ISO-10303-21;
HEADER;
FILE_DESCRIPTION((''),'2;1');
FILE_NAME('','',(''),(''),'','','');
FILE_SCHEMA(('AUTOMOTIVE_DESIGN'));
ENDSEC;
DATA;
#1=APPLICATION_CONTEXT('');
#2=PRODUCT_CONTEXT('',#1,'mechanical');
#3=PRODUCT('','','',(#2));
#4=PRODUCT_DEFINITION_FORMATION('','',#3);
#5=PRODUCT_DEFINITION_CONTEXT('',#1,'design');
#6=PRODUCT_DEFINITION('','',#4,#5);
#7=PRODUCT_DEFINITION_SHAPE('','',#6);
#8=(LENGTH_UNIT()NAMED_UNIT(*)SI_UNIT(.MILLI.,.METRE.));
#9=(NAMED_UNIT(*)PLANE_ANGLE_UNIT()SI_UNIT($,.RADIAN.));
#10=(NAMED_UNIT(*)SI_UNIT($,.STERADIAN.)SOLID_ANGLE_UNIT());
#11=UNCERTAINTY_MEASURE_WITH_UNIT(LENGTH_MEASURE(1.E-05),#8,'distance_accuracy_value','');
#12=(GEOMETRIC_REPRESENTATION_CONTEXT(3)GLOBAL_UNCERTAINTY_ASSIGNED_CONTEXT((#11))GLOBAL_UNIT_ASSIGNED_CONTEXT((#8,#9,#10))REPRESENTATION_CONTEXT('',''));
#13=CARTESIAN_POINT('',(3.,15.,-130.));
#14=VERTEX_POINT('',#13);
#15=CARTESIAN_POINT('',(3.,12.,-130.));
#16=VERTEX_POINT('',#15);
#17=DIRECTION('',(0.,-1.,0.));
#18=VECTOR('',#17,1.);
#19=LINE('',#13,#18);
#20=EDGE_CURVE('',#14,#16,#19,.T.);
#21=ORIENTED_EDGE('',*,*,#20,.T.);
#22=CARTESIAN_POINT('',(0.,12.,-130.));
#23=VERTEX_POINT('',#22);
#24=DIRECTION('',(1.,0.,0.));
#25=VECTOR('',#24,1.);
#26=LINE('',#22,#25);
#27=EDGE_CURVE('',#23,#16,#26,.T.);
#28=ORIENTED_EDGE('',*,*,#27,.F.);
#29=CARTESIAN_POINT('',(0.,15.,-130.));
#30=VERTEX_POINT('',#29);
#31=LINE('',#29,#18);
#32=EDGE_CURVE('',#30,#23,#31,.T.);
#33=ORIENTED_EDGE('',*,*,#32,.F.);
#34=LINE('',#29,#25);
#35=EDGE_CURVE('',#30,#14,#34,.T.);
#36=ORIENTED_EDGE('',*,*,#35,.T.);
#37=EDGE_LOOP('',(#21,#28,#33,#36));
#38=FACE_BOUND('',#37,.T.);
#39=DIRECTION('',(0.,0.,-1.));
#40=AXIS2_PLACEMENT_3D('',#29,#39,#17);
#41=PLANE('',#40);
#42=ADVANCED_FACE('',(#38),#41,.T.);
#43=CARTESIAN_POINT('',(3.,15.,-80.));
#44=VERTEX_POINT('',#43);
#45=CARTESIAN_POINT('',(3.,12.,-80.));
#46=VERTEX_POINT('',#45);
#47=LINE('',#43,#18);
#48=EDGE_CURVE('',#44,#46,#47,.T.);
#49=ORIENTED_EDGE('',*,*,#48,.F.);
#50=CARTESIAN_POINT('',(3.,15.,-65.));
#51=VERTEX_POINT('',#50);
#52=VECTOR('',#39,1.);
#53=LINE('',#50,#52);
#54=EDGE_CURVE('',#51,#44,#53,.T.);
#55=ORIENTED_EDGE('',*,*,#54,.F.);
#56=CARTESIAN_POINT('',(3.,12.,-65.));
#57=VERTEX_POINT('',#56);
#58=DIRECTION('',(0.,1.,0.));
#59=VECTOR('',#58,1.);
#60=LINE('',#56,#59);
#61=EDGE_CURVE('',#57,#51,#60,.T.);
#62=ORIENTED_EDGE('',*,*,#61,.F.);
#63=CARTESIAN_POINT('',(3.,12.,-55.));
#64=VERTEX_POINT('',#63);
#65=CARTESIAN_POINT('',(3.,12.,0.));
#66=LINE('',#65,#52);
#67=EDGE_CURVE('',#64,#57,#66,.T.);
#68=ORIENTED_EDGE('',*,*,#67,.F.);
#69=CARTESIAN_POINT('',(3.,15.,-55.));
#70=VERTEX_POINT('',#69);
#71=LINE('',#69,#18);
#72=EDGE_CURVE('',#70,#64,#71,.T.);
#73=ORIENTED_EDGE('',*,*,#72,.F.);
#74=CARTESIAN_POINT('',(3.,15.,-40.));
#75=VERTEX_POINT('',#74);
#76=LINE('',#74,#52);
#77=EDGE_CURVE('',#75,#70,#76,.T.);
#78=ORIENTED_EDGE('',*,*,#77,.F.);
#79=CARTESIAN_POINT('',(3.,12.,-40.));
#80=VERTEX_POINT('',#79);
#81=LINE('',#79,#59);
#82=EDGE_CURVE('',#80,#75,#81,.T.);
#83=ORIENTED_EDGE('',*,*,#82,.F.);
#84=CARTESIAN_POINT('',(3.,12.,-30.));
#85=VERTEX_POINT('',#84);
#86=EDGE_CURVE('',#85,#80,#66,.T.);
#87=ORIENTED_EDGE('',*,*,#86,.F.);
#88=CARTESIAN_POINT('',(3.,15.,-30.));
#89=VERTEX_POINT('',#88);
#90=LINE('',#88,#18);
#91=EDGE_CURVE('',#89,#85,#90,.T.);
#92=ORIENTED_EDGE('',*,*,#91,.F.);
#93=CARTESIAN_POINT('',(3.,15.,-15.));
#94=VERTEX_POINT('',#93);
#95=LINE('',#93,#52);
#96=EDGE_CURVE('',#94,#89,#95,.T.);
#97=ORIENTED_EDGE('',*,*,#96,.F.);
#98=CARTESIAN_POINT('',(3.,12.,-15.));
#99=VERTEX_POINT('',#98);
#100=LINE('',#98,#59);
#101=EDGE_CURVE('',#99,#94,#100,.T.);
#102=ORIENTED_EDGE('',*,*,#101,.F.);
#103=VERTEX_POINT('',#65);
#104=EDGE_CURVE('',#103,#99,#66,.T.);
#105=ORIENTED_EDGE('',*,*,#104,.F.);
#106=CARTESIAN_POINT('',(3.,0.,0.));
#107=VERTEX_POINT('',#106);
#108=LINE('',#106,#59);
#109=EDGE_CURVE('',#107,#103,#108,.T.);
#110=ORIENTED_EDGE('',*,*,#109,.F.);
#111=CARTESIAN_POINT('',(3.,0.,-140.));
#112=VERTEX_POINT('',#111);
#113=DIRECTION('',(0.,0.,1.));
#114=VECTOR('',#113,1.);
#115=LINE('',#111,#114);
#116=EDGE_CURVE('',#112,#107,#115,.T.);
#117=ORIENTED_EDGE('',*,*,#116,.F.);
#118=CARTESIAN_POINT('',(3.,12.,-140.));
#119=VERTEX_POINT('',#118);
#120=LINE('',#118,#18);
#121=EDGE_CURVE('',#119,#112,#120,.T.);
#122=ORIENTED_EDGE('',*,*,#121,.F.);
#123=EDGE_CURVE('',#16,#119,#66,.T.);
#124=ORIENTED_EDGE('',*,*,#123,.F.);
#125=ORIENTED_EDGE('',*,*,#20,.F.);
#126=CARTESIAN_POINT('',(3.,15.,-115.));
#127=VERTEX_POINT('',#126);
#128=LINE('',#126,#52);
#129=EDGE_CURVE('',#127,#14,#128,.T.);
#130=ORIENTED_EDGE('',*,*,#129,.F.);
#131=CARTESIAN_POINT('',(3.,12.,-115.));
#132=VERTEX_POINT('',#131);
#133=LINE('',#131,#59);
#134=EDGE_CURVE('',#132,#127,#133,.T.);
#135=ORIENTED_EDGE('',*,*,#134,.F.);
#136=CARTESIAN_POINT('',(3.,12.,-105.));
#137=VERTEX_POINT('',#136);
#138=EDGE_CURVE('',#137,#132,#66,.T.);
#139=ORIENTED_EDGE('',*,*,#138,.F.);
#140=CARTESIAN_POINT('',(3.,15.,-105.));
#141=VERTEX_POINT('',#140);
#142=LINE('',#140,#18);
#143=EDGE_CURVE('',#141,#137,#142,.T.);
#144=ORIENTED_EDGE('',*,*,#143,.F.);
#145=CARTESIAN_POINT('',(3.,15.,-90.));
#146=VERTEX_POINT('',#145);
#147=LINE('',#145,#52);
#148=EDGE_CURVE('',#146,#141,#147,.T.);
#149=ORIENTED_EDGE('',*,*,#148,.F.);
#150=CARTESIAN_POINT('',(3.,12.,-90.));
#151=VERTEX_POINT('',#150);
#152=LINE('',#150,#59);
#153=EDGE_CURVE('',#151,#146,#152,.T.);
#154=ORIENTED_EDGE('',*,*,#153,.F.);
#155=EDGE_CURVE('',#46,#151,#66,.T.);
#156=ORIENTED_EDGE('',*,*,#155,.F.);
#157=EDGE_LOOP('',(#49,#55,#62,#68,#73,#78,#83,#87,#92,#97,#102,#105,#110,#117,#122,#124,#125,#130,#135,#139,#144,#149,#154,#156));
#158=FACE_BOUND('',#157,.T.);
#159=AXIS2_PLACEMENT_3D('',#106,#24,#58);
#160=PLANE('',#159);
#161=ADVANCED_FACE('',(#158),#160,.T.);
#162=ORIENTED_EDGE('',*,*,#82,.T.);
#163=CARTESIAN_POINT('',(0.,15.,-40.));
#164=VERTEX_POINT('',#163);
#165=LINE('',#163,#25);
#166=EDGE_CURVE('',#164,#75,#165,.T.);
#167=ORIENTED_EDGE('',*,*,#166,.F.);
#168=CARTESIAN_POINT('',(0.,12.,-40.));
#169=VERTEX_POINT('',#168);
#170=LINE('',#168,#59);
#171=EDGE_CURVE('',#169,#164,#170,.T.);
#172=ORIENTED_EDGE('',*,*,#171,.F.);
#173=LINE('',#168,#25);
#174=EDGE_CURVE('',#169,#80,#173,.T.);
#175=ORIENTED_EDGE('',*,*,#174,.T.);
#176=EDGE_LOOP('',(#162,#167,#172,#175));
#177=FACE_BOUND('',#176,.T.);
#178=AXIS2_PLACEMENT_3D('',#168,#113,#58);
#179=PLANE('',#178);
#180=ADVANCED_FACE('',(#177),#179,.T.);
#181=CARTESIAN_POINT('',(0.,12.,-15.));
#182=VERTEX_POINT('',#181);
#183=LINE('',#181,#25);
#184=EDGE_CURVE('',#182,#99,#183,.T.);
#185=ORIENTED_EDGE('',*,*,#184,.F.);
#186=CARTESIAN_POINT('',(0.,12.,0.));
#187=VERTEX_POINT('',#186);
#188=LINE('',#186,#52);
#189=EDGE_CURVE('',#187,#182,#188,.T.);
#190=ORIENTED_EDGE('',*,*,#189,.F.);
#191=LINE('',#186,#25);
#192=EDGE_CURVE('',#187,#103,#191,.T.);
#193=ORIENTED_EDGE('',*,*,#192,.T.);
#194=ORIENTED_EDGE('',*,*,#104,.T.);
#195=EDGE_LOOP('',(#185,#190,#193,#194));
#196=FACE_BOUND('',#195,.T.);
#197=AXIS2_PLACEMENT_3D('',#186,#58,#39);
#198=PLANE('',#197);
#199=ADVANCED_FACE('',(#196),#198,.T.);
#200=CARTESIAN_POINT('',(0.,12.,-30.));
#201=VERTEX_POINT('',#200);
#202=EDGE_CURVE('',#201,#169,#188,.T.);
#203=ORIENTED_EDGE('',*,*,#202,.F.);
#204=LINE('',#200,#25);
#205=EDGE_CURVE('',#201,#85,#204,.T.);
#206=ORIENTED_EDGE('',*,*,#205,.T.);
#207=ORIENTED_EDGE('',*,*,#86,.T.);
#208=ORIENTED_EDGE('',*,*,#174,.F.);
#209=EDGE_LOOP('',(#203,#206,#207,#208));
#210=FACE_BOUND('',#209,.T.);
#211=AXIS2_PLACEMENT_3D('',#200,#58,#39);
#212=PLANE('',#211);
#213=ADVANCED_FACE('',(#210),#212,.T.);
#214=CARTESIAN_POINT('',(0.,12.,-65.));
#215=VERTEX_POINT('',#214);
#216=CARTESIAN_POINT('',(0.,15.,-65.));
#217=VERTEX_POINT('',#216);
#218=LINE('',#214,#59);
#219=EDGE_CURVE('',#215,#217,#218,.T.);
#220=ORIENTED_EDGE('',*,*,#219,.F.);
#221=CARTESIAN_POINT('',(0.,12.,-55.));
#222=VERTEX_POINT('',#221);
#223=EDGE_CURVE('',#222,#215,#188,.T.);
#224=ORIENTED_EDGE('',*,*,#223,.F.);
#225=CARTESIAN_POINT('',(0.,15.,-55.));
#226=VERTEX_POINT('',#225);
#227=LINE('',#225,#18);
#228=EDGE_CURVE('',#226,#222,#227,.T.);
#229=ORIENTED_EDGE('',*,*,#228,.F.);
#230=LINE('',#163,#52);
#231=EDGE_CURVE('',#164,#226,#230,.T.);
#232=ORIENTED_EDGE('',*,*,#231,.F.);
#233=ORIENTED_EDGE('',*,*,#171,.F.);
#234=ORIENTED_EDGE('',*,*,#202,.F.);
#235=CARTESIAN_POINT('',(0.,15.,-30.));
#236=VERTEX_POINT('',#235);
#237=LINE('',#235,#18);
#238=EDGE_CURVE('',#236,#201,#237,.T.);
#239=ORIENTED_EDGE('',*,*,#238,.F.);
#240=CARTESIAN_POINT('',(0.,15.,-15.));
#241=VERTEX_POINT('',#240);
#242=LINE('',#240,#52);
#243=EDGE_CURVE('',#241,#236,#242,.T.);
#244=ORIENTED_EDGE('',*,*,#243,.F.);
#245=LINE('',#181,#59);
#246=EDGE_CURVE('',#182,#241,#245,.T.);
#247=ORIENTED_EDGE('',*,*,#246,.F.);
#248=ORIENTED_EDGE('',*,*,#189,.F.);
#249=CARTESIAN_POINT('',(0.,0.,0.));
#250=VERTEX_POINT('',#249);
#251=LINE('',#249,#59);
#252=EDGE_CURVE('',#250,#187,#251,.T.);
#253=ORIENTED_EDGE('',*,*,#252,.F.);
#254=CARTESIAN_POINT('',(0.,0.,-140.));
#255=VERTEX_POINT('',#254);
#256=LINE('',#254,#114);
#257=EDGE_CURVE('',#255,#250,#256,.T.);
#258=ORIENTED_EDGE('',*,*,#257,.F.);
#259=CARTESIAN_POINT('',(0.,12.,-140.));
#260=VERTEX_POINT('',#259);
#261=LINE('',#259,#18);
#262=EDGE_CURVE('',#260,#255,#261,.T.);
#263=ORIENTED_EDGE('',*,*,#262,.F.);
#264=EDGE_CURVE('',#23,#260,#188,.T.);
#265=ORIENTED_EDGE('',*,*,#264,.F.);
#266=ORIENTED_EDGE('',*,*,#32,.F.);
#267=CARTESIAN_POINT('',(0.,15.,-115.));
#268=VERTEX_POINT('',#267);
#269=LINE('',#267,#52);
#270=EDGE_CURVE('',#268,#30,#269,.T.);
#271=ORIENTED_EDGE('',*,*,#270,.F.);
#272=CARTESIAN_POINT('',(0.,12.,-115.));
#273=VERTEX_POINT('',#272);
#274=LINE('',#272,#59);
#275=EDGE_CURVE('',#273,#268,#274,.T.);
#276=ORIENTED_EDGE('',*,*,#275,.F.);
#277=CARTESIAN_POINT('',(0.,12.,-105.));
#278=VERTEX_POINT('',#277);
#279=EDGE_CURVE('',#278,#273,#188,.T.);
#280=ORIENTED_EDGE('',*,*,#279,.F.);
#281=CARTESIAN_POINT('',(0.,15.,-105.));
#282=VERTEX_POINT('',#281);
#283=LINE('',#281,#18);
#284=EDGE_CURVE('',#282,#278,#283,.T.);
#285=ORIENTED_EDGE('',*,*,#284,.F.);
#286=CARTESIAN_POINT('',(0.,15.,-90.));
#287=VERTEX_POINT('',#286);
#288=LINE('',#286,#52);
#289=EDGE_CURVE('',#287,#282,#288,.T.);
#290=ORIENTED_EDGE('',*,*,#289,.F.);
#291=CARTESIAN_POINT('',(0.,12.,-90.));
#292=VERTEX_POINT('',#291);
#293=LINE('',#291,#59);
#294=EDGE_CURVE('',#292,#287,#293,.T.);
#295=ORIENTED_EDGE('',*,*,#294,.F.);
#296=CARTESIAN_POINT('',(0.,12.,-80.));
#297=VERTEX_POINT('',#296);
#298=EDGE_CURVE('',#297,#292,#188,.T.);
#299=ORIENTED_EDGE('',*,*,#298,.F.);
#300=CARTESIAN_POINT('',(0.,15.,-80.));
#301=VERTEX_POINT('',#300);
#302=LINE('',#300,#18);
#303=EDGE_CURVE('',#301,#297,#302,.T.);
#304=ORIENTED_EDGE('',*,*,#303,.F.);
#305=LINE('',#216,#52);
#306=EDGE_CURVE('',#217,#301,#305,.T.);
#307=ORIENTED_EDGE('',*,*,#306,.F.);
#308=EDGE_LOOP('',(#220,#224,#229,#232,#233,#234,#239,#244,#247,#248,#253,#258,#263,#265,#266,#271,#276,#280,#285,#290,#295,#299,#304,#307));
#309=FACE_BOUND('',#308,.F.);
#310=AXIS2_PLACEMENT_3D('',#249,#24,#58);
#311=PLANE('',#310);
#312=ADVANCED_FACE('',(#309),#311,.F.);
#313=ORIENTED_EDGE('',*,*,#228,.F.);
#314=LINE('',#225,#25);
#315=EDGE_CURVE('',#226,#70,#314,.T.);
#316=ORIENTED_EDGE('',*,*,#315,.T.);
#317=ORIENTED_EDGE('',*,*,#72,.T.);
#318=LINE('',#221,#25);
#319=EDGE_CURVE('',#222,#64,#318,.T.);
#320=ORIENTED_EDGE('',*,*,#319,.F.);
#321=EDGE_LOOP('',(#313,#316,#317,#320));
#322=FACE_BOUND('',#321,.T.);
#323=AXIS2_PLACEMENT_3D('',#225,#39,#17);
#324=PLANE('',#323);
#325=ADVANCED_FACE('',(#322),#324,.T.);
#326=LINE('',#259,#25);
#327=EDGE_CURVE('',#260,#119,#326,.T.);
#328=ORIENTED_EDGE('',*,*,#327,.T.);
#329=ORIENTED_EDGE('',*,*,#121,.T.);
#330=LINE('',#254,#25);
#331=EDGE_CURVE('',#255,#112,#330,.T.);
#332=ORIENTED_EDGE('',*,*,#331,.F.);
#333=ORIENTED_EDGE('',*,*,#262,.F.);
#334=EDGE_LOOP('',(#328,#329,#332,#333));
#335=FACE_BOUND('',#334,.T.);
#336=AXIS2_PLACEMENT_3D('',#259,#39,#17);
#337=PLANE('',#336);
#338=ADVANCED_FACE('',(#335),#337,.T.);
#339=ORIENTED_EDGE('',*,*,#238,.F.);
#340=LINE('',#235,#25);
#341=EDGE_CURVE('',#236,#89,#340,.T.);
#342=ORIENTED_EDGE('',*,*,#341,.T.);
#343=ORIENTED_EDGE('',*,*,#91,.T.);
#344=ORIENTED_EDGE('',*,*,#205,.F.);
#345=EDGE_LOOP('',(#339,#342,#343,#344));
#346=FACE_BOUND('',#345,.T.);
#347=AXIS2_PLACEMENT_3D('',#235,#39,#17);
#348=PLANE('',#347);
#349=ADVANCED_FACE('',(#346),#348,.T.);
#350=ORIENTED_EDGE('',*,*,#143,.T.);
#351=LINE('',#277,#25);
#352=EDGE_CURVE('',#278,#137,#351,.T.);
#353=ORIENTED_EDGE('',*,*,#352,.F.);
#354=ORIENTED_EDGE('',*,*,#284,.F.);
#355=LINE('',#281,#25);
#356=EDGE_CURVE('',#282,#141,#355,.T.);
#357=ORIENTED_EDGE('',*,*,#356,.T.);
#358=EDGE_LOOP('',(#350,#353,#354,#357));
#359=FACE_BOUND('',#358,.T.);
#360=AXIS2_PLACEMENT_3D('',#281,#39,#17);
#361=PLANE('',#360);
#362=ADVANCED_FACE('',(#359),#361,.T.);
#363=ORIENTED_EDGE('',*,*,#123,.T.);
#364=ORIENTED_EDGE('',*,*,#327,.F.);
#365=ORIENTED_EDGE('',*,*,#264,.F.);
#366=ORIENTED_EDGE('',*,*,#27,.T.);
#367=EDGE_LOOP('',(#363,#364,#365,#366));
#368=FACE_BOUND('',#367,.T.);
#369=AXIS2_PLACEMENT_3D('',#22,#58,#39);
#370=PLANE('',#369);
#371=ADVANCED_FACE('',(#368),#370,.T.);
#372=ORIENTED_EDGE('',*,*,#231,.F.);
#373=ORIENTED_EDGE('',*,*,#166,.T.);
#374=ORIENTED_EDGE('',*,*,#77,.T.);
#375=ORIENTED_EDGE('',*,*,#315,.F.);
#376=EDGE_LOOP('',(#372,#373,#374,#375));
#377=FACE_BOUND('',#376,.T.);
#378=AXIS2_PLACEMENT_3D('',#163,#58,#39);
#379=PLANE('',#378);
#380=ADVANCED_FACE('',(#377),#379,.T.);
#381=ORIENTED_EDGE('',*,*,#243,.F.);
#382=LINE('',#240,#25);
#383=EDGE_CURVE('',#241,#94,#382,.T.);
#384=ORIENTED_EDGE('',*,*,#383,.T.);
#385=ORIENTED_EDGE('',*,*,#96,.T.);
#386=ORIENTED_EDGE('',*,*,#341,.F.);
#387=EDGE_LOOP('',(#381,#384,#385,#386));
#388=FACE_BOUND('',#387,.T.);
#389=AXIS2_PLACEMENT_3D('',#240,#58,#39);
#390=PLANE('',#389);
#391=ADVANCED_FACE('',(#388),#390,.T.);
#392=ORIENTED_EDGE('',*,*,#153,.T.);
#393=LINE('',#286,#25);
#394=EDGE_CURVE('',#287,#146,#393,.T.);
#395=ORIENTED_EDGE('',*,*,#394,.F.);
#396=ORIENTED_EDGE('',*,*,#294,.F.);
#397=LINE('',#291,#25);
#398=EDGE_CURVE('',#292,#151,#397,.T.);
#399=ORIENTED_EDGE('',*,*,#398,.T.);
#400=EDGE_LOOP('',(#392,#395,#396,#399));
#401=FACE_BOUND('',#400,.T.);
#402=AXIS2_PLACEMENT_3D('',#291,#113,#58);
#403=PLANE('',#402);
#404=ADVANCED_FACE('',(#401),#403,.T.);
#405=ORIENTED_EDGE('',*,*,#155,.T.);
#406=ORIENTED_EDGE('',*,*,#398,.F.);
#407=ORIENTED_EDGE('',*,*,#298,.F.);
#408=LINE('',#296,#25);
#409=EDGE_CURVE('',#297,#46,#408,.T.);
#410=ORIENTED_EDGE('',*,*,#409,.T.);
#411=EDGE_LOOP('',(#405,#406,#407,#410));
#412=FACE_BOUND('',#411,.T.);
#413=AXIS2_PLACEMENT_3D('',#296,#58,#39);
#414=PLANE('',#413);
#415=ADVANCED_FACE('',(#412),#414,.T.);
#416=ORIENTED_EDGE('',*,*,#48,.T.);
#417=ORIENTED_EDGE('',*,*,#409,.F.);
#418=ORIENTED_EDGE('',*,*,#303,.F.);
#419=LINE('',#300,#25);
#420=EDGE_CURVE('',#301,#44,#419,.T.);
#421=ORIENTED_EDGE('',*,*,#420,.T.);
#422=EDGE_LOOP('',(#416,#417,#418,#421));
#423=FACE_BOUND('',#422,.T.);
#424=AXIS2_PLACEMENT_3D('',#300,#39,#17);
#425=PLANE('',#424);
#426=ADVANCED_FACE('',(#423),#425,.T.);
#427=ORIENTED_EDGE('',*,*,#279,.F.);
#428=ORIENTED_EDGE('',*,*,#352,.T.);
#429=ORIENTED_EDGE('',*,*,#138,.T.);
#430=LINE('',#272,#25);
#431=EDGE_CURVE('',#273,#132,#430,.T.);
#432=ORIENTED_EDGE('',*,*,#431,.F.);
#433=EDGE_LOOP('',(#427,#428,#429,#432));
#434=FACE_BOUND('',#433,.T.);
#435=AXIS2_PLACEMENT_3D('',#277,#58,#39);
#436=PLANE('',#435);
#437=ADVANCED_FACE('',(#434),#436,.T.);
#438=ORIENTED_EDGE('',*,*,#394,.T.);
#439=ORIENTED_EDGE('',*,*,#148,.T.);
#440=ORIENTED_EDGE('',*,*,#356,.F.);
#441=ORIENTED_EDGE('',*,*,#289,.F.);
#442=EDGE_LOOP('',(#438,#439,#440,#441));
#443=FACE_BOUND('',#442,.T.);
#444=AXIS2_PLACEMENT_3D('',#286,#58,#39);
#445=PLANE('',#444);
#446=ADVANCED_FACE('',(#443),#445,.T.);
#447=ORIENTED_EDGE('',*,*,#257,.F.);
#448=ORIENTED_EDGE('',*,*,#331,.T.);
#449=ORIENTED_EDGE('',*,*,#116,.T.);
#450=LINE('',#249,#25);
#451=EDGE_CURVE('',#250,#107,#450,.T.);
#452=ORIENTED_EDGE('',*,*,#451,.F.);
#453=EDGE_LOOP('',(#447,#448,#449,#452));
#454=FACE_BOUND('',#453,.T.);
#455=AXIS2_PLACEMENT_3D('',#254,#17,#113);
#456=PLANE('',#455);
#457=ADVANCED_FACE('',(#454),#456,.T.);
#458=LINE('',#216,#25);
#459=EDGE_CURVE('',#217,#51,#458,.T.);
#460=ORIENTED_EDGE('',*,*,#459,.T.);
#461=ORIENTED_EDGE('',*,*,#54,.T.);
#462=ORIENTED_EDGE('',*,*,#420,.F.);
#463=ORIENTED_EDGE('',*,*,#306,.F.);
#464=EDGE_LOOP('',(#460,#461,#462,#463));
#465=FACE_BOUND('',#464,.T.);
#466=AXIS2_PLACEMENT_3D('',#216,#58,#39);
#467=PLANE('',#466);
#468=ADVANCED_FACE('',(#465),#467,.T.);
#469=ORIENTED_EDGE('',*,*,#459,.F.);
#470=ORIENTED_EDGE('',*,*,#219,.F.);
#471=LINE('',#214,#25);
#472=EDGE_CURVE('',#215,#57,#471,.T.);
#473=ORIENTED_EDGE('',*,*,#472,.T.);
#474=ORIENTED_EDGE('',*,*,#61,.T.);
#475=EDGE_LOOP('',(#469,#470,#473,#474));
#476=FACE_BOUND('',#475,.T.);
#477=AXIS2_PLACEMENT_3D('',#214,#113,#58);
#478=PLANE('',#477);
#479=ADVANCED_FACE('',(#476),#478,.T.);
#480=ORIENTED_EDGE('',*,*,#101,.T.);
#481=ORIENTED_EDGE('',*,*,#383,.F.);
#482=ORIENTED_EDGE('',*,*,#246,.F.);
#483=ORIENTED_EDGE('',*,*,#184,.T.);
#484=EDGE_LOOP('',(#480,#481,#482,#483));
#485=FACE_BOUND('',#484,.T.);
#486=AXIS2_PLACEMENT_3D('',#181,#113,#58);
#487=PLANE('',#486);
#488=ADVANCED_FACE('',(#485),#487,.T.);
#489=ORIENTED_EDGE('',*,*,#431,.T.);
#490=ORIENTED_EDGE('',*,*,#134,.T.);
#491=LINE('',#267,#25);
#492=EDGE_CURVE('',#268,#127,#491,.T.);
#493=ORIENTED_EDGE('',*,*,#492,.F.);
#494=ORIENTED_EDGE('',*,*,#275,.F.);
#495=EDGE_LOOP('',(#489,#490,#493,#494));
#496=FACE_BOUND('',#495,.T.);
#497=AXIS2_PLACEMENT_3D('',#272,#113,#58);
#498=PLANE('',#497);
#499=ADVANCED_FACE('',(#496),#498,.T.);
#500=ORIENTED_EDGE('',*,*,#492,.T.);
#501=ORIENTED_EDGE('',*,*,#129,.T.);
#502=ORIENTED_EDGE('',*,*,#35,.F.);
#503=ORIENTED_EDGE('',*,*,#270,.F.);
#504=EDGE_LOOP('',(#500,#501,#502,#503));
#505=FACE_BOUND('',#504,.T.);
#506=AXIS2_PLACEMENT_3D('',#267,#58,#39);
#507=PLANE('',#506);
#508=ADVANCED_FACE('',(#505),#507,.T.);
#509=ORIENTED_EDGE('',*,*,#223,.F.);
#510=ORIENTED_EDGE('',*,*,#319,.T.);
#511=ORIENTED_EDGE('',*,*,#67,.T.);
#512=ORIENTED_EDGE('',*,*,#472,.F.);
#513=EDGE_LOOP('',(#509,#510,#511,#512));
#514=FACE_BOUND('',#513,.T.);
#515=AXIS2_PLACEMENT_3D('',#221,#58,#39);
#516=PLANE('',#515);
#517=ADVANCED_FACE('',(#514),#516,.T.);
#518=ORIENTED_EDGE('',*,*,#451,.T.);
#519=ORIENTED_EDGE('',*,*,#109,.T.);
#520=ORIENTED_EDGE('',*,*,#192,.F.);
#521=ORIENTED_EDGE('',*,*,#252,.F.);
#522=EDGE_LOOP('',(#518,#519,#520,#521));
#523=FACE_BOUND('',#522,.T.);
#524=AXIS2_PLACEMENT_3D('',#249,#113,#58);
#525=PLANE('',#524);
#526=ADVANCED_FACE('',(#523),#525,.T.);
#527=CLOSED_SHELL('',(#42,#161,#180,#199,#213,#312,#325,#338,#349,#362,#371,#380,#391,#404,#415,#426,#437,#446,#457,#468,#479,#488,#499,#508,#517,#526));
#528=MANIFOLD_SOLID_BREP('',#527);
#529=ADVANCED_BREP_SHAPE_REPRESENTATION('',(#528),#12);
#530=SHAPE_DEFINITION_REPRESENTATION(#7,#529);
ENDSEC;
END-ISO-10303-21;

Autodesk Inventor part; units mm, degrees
ref_plane "YZ Plane" through (0, 0, 0) normal (1, 0, 0) x (0, 1, 0)
ref_plane "XZ Plane" through (0, 0, 0) normal (0, 1, 0) x (-1, 0, 0)
ref_plane "XY Plane" through (0, 0, 0) normal (0, 0, 1) x (1, 0, 0)
sketch "Boceto1" plane through (0, 0, 0) normal (1, 0, 0) x (0, 1, 0)
  line L0 (0, 0) -> (12, 0)
  line L1 (12, 0) -> (12, -140)
  line L2 (12, -140) -> (0, -140)
  line L3 (0, -140) -> (0, 0)
  line L4 (12, -15) -> (15, -15)
  line L5 (15, -15) -> (15, -30)
  line L6 (15, -30) -> (12, -30)
  line L7 (12, -30) -> (12, -15)
  line L8 (12, -40) -> (15, -40)
  line L9 (15, -40) -> (15, -55)
  line L10 (15, -55) -> (12, -55)
  line L11 (12, -55) -> (12, -40)
  line L12 (12, -65) -> (15, -65)
  line L13 (15, -65) -> (15, -80)
  line L14 (15, -80) -> (12, -80)
  line L15 (12, -80) -> (12, -65)
  line L16 (12, -90) -> (15, -90)
  line L17 (15, -90) -> (15, -105)
  line L18 (15, -105) -> (12, -105)
  line L19 (12, -105) -> (12, -90)
  line L20 (12, -115) -> (15, -115)
  line L21 (15, -115) -> (15, -130)
  line L22 (15, -130) -> (12, -130)
  line L23 (12, -130) -> (12, -115)
  point P0 (12, -130)
  point P1 (12, -115)
  point P2 (12, -105)
  point P3 (12, -90)
  point P4 (12, -65)
  point P5 (12, -55)
  point P6 (12, -40)
  dimension "d0" = 12
  dimension "d1" = 140
  dimension "d5" = 3
  dimension "d6" = 15
  dimension "d7" = 15
  dimension "d10" = 25
extrude "Extrusión1" add sketch "Boceto1" along normal blind 3
